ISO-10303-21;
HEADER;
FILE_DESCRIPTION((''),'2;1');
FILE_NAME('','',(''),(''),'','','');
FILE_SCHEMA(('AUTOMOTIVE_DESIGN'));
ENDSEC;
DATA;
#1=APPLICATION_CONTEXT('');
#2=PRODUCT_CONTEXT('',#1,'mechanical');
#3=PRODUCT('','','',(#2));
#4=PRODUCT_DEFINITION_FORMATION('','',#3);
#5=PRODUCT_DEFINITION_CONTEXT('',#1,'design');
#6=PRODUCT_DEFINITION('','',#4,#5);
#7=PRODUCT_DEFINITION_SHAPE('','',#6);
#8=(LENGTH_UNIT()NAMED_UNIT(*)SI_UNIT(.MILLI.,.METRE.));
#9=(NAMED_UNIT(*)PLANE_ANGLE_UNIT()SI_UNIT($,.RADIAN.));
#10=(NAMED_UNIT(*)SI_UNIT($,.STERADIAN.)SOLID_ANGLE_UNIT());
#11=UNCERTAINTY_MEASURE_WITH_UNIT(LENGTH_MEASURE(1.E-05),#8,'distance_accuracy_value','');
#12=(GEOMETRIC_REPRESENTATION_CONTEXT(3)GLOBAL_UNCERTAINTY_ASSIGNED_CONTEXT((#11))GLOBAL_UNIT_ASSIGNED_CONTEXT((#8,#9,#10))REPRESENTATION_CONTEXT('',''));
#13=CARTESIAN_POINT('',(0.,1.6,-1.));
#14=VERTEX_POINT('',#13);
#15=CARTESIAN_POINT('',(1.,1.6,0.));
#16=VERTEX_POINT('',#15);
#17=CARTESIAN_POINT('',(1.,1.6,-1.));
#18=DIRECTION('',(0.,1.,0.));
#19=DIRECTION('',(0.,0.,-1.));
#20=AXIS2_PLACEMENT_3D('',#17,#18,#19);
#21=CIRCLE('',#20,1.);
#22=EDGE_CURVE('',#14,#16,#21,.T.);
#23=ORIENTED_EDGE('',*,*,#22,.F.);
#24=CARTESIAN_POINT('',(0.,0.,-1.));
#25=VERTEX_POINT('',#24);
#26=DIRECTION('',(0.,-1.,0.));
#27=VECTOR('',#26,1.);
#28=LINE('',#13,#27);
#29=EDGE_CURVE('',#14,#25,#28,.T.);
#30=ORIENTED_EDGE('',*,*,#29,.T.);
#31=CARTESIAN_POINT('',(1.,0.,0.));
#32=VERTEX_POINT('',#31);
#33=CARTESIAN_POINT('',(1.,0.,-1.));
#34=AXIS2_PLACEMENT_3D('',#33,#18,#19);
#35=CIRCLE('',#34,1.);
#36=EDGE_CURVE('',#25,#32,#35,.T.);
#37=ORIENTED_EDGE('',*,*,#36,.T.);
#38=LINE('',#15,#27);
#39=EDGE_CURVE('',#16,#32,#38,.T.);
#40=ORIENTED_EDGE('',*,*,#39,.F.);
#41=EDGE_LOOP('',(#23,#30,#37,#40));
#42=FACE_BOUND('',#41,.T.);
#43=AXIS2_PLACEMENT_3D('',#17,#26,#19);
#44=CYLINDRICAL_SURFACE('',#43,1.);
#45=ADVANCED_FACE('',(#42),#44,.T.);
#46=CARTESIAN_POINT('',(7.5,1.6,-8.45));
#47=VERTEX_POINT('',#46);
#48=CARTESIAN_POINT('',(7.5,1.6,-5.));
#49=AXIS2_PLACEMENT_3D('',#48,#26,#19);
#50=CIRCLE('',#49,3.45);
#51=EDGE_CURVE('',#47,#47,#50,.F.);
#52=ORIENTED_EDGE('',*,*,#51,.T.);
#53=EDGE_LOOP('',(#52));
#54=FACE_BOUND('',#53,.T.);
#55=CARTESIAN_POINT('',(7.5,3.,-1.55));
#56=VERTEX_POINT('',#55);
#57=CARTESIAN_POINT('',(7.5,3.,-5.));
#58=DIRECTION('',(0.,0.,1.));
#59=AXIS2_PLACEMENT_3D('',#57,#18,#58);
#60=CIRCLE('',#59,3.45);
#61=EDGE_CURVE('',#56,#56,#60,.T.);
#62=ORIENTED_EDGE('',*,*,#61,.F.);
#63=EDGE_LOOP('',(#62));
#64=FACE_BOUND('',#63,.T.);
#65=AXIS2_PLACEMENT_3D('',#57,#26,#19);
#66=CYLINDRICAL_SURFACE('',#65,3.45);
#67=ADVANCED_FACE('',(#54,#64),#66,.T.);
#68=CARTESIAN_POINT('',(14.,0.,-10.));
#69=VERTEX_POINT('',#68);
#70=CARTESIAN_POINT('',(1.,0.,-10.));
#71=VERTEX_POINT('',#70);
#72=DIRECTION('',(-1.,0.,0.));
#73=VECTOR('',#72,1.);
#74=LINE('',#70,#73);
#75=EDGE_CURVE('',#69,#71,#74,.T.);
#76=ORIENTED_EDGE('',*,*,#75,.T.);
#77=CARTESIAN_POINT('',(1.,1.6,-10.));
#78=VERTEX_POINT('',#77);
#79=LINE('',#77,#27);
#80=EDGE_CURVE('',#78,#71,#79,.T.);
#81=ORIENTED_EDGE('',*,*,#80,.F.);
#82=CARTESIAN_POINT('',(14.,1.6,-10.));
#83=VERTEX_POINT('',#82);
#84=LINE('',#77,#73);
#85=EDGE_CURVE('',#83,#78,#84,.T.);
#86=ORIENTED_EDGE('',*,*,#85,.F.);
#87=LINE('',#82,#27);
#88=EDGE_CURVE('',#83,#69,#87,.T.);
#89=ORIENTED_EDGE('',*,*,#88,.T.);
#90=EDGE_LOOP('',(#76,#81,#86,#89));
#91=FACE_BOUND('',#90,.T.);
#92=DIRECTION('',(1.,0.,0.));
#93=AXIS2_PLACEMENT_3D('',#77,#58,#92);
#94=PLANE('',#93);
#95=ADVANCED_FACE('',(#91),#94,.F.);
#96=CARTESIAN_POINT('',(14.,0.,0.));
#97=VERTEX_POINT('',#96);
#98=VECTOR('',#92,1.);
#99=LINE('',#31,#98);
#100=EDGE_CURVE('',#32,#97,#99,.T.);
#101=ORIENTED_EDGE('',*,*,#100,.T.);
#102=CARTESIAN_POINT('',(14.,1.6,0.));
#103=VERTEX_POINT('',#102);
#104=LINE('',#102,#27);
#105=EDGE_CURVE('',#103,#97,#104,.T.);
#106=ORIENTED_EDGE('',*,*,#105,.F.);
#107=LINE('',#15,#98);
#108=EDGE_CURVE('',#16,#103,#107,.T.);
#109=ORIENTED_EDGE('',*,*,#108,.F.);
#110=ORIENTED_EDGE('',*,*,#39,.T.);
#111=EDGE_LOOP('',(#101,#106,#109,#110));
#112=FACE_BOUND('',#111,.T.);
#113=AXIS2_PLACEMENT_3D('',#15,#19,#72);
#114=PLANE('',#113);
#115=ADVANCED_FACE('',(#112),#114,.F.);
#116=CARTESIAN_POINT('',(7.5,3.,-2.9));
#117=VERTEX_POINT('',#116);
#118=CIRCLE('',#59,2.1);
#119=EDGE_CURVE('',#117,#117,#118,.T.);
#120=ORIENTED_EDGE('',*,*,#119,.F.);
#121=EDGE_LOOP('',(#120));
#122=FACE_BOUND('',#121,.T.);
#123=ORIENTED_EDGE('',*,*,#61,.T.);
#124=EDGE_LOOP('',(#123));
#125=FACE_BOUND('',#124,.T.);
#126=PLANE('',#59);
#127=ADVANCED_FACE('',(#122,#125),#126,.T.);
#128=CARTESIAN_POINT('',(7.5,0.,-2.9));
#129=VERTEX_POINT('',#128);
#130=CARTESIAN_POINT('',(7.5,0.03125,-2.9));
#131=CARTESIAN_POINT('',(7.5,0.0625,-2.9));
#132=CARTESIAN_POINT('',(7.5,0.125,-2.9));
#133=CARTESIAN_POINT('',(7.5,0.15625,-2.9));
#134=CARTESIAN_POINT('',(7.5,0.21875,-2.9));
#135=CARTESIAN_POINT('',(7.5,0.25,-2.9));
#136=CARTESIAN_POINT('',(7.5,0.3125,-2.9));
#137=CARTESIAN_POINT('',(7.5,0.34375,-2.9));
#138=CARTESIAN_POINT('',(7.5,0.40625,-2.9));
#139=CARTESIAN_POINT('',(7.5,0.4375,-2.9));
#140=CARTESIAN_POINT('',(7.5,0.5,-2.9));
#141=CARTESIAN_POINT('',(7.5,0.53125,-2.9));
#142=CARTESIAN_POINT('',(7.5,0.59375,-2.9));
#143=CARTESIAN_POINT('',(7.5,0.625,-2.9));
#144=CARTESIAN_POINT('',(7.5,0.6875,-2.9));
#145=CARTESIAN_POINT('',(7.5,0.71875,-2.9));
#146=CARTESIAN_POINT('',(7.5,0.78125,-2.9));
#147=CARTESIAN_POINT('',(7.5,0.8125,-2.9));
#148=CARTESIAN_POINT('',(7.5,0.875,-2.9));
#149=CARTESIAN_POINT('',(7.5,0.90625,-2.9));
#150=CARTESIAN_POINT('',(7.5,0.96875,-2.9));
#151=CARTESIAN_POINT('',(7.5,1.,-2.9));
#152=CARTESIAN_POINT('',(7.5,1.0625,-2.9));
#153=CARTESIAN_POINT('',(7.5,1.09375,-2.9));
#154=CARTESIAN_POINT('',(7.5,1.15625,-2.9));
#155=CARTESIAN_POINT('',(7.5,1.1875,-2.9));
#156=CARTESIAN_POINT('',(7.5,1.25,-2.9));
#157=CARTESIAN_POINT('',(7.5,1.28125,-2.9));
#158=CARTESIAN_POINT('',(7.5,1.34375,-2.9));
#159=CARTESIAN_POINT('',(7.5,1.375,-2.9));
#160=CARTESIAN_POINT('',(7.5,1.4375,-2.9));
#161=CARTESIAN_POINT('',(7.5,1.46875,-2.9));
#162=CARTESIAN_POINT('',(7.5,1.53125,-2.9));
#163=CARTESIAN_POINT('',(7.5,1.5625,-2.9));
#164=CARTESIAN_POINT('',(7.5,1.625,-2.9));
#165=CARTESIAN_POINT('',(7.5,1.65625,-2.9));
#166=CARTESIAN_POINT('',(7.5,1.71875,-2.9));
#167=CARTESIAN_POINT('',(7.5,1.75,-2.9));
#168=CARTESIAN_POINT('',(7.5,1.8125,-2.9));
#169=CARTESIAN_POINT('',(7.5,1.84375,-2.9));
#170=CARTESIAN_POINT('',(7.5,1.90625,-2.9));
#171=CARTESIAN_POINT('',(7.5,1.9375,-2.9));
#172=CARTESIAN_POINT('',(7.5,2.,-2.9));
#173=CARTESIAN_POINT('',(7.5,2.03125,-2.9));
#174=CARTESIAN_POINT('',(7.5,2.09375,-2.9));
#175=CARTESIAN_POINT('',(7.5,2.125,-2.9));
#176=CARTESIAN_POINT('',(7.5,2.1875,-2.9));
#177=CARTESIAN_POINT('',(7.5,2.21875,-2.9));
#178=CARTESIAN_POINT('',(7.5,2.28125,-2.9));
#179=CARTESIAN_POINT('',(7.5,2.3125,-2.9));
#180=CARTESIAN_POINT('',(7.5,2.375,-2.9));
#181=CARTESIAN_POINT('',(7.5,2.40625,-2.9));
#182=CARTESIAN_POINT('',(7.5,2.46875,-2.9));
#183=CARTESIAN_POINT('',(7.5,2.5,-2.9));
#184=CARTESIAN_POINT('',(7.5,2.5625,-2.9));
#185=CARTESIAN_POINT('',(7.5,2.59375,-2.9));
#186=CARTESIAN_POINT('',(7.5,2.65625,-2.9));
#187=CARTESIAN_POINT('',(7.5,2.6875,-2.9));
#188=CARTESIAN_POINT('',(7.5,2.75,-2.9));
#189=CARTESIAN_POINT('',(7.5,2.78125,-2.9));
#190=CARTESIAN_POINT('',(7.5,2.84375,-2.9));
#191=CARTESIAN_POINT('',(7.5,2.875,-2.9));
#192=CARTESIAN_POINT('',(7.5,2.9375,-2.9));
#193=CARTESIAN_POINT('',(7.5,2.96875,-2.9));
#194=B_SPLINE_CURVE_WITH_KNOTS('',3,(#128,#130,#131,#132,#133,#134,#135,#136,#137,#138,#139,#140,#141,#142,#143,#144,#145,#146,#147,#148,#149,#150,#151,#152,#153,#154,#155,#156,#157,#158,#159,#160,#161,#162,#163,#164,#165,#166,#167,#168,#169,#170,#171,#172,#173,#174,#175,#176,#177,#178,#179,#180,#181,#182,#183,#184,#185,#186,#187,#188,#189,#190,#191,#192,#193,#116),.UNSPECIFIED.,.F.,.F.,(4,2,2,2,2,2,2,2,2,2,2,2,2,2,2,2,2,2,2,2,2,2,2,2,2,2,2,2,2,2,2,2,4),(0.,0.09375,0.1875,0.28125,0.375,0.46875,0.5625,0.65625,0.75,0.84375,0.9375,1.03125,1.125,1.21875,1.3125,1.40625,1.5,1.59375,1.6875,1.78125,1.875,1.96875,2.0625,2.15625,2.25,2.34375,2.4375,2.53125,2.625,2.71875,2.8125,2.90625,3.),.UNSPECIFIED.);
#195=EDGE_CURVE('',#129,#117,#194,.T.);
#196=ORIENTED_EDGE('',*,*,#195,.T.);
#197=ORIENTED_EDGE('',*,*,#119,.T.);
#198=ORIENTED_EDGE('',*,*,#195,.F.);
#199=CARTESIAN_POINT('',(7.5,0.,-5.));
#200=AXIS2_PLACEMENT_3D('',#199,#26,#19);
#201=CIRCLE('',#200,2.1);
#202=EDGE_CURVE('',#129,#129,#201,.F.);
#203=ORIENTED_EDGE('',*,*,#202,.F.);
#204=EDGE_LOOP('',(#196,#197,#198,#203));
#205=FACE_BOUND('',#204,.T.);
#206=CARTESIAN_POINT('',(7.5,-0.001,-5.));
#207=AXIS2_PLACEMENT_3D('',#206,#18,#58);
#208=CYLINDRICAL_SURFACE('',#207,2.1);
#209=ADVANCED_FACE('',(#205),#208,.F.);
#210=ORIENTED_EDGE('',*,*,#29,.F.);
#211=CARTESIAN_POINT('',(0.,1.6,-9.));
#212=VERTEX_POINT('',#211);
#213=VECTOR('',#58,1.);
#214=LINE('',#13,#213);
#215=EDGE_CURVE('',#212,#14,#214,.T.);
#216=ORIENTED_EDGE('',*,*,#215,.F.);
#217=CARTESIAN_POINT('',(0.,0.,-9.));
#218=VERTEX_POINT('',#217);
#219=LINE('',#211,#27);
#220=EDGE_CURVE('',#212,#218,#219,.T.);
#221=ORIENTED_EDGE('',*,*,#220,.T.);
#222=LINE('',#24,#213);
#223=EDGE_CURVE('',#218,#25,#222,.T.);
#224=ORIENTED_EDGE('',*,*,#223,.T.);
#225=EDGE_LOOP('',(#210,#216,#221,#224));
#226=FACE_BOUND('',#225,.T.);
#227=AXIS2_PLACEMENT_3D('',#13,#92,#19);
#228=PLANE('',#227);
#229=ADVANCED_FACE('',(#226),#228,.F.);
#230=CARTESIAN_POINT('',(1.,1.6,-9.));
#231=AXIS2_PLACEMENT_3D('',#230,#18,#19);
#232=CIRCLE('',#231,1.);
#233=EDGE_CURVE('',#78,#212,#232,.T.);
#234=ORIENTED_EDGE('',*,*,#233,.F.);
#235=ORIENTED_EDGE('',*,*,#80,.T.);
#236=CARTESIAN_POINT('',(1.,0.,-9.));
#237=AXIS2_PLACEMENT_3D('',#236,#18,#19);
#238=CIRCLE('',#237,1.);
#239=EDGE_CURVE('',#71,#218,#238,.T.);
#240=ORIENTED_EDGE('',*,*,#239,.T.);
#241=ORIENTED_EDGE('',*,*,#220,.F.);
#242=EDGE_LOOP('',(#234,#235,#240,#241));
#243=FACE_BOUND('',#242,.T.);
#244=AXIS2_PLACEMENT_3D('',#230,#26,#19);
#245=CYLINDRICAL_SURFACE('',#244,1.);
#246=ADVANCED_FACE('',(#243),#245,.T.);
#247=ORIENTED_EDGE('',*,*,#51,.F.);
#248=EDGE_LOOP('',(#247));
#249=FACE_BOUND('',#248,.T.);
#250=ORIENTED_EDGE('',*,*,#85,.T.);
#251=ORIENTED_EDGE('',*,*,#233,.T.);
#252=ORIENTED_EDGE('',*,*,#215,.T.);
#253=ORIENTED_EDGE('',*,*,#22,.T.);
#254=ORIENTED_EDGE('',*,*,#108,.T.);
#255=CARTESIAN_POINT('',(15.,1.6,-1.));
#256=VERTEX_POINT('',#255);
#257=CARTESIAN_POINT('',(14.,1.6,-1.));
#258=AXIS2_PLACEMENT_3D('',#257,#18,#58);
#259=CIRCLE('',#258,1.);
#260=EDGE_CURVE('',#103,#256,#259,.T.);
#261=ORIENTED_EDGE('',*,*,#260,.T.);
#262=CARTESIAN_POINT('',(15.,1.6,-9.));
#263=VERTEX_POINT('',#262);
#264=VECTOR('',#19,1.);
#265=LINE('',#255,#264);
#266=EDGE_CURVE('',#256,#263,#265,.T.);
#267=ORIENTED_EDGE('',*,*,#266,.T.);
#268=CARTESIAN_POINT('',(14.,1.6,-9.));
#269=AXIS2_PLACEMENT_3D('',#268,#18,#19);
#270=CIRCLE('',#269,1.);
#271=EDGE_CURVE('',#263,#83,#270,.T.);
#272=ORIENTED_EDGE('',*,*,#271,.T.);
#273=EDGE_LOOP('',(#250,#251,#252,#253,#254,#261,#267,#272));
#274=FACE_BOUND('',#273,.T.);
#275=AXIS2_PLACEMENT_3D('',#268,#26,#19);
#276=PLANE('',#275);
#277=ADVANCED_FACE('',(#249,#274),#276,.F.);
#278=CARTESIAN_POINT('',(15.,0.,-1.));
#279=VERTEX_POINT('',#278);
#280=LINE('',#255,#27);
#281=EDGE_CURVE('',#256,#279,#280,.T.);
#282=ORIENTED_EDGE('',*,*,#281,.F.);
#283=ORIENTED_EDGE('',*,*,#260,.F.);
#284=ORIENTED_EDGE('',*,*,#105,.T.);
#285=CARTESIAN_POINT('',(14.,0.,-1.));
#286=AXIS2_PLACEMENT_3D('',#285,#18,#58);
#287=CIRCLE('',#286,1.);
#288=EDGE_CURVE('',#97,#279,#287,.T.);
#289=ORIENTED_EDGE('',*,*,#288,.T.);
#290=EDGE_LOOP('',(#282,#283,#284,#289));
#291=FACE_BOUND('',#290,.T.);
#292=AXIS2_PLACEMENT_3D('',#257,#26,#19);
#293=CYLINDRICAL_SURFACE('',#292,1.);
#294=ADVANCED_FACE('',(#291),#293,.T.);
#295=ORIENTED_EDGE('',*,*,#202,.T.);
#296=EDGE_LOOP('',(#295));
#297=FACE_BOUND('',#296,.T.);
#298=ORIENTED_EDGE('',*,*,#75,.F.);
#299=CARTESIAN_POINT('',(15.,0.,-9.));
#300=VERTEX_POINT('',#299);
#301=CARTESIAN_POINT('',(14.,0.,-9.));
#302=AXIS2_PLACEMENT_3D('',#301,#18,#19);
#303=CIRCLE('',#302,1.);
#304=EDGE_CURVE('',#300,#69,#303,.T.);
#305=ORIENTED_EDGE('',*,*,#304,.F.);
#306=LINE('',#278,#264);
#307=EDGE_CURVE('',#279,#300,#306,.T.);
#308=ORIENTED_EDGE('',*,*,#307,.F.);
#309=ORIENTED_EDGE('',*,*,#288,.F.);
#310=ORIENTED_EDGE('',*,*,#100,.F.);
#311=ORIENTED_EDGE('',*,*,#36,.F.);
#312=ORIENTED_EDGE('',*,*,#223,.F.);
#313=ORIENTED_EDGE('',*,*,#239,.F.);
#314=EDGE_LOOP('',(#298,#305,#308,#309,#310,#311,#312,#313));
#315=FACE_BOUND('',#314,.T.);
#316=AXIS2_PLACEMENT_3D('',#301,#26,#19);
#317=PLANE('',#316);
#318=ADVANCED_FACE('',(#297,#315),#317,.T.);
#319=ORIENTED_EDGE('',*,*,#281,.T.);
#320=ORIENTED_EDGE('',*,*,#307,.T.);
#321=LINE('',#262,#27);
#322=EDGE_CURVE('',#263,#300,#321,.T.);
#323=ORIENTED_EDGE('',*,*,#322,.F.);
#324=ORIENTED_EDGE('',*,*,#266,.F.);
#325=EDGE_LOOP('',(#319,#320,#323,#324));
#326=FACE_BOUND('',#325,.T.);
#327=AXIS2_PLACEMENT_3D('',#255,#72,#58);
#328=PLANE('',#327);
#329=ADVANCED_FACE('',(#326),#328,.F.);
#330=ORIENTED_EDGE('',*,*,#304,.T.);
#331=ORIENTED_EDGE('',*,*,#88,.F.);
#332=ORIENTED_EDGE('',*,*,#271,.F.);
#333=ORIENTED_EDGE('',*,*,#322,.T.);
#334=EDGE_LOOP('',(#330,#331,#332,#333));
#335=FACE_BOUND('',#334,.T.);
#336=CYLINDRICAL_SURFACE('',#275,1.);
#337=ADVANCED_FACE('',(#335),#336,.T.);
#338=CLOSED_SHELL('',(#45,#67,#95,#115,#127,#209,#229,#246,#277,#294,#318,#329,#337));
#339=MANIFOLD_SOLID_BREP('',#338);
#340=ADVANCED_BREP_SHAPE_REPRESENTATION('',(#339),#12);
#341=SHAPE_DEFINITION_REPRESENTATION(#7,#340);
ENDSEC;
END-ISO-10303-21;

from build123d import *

# Parameters (mm, degrees)
SALIENTE_EXTRUIR1_DEPTH = 1.6
CROQUIS2_R              = 3.45
SALIENTE_EXTRUIR2_DEPTH = 1.4
CORTAR_EXTRUIR1_REACH   = 20.276
CROQUIS3_R              = 2.1


with BuildPart() as part:
    # Croquis1 → Saliente-Extruir1 (new body)
    with BuildSketch(Plane(origin=(0, 0, 0), x_dir=(1, 0, 0), z_dir=(0, 1, 0))):
        with BuildLine():
            Line((1, 0), (14, 0))
            ThreePointArc((14, 0), (14.707106781, 0.292893219), (15, 1))
            Line((15, 1), (15, 9))
            ThreePointArc((15, 9), (14.707106781, 9.707106781), (14, 10))
            Line((14, 10), (1, 10))
            ThreePointArc((1, 10), (0.292893219, 9.707106781), (0, 9))
            Line((0, 9), (0, 1))
            ThreePointArc((0, 1), (0.292893219, 0.292893219), (1, 0))
        make_face()
    extrude(amount=SALIENTE_EXTRUIR1_DEPTH)

    # Croquis2 → Saliente-Extruir2 (add)
    with BuildSketch(Plane(origin=(0, 1.6, 0), x_dir=(1, 0, 0), z_dir=(0, 1, 0))):
        with Locations(Location((7.5, 5, 0), (0, 0, 90))):
            Circle(CROQUIS2_R)
    extrude(amount=SALIENTE_EXTRUIR2_DEPTH)

    # Croquis3 → Cortar-Extruir1 (cut, up to next)
    with BuildSketch(Plane(origin=(0, 3, 0), x_dir=(1, 0, 0), z_dir=(0, 1, 0)), mode=Mode.PRIVATE) as cortar_extruir1_sk1:
        with Locations(Location((7.5, 5, 0), (0, 0, 270))):
            Circle(CROQUIS3_R)
    cortar_extruir1_tool1 = extrude(cortar_extruir1_sk1.sketch, amount=-CORTAR_EXTRUIR1_REACH, mode=Mode.PRIVATE) & part.part
    add(cortar_extruir1_tool1.solids().sort_by_distance((7.5, 3, -5))[0], mode=Mode.SUBTRACT)


solid = part.part
